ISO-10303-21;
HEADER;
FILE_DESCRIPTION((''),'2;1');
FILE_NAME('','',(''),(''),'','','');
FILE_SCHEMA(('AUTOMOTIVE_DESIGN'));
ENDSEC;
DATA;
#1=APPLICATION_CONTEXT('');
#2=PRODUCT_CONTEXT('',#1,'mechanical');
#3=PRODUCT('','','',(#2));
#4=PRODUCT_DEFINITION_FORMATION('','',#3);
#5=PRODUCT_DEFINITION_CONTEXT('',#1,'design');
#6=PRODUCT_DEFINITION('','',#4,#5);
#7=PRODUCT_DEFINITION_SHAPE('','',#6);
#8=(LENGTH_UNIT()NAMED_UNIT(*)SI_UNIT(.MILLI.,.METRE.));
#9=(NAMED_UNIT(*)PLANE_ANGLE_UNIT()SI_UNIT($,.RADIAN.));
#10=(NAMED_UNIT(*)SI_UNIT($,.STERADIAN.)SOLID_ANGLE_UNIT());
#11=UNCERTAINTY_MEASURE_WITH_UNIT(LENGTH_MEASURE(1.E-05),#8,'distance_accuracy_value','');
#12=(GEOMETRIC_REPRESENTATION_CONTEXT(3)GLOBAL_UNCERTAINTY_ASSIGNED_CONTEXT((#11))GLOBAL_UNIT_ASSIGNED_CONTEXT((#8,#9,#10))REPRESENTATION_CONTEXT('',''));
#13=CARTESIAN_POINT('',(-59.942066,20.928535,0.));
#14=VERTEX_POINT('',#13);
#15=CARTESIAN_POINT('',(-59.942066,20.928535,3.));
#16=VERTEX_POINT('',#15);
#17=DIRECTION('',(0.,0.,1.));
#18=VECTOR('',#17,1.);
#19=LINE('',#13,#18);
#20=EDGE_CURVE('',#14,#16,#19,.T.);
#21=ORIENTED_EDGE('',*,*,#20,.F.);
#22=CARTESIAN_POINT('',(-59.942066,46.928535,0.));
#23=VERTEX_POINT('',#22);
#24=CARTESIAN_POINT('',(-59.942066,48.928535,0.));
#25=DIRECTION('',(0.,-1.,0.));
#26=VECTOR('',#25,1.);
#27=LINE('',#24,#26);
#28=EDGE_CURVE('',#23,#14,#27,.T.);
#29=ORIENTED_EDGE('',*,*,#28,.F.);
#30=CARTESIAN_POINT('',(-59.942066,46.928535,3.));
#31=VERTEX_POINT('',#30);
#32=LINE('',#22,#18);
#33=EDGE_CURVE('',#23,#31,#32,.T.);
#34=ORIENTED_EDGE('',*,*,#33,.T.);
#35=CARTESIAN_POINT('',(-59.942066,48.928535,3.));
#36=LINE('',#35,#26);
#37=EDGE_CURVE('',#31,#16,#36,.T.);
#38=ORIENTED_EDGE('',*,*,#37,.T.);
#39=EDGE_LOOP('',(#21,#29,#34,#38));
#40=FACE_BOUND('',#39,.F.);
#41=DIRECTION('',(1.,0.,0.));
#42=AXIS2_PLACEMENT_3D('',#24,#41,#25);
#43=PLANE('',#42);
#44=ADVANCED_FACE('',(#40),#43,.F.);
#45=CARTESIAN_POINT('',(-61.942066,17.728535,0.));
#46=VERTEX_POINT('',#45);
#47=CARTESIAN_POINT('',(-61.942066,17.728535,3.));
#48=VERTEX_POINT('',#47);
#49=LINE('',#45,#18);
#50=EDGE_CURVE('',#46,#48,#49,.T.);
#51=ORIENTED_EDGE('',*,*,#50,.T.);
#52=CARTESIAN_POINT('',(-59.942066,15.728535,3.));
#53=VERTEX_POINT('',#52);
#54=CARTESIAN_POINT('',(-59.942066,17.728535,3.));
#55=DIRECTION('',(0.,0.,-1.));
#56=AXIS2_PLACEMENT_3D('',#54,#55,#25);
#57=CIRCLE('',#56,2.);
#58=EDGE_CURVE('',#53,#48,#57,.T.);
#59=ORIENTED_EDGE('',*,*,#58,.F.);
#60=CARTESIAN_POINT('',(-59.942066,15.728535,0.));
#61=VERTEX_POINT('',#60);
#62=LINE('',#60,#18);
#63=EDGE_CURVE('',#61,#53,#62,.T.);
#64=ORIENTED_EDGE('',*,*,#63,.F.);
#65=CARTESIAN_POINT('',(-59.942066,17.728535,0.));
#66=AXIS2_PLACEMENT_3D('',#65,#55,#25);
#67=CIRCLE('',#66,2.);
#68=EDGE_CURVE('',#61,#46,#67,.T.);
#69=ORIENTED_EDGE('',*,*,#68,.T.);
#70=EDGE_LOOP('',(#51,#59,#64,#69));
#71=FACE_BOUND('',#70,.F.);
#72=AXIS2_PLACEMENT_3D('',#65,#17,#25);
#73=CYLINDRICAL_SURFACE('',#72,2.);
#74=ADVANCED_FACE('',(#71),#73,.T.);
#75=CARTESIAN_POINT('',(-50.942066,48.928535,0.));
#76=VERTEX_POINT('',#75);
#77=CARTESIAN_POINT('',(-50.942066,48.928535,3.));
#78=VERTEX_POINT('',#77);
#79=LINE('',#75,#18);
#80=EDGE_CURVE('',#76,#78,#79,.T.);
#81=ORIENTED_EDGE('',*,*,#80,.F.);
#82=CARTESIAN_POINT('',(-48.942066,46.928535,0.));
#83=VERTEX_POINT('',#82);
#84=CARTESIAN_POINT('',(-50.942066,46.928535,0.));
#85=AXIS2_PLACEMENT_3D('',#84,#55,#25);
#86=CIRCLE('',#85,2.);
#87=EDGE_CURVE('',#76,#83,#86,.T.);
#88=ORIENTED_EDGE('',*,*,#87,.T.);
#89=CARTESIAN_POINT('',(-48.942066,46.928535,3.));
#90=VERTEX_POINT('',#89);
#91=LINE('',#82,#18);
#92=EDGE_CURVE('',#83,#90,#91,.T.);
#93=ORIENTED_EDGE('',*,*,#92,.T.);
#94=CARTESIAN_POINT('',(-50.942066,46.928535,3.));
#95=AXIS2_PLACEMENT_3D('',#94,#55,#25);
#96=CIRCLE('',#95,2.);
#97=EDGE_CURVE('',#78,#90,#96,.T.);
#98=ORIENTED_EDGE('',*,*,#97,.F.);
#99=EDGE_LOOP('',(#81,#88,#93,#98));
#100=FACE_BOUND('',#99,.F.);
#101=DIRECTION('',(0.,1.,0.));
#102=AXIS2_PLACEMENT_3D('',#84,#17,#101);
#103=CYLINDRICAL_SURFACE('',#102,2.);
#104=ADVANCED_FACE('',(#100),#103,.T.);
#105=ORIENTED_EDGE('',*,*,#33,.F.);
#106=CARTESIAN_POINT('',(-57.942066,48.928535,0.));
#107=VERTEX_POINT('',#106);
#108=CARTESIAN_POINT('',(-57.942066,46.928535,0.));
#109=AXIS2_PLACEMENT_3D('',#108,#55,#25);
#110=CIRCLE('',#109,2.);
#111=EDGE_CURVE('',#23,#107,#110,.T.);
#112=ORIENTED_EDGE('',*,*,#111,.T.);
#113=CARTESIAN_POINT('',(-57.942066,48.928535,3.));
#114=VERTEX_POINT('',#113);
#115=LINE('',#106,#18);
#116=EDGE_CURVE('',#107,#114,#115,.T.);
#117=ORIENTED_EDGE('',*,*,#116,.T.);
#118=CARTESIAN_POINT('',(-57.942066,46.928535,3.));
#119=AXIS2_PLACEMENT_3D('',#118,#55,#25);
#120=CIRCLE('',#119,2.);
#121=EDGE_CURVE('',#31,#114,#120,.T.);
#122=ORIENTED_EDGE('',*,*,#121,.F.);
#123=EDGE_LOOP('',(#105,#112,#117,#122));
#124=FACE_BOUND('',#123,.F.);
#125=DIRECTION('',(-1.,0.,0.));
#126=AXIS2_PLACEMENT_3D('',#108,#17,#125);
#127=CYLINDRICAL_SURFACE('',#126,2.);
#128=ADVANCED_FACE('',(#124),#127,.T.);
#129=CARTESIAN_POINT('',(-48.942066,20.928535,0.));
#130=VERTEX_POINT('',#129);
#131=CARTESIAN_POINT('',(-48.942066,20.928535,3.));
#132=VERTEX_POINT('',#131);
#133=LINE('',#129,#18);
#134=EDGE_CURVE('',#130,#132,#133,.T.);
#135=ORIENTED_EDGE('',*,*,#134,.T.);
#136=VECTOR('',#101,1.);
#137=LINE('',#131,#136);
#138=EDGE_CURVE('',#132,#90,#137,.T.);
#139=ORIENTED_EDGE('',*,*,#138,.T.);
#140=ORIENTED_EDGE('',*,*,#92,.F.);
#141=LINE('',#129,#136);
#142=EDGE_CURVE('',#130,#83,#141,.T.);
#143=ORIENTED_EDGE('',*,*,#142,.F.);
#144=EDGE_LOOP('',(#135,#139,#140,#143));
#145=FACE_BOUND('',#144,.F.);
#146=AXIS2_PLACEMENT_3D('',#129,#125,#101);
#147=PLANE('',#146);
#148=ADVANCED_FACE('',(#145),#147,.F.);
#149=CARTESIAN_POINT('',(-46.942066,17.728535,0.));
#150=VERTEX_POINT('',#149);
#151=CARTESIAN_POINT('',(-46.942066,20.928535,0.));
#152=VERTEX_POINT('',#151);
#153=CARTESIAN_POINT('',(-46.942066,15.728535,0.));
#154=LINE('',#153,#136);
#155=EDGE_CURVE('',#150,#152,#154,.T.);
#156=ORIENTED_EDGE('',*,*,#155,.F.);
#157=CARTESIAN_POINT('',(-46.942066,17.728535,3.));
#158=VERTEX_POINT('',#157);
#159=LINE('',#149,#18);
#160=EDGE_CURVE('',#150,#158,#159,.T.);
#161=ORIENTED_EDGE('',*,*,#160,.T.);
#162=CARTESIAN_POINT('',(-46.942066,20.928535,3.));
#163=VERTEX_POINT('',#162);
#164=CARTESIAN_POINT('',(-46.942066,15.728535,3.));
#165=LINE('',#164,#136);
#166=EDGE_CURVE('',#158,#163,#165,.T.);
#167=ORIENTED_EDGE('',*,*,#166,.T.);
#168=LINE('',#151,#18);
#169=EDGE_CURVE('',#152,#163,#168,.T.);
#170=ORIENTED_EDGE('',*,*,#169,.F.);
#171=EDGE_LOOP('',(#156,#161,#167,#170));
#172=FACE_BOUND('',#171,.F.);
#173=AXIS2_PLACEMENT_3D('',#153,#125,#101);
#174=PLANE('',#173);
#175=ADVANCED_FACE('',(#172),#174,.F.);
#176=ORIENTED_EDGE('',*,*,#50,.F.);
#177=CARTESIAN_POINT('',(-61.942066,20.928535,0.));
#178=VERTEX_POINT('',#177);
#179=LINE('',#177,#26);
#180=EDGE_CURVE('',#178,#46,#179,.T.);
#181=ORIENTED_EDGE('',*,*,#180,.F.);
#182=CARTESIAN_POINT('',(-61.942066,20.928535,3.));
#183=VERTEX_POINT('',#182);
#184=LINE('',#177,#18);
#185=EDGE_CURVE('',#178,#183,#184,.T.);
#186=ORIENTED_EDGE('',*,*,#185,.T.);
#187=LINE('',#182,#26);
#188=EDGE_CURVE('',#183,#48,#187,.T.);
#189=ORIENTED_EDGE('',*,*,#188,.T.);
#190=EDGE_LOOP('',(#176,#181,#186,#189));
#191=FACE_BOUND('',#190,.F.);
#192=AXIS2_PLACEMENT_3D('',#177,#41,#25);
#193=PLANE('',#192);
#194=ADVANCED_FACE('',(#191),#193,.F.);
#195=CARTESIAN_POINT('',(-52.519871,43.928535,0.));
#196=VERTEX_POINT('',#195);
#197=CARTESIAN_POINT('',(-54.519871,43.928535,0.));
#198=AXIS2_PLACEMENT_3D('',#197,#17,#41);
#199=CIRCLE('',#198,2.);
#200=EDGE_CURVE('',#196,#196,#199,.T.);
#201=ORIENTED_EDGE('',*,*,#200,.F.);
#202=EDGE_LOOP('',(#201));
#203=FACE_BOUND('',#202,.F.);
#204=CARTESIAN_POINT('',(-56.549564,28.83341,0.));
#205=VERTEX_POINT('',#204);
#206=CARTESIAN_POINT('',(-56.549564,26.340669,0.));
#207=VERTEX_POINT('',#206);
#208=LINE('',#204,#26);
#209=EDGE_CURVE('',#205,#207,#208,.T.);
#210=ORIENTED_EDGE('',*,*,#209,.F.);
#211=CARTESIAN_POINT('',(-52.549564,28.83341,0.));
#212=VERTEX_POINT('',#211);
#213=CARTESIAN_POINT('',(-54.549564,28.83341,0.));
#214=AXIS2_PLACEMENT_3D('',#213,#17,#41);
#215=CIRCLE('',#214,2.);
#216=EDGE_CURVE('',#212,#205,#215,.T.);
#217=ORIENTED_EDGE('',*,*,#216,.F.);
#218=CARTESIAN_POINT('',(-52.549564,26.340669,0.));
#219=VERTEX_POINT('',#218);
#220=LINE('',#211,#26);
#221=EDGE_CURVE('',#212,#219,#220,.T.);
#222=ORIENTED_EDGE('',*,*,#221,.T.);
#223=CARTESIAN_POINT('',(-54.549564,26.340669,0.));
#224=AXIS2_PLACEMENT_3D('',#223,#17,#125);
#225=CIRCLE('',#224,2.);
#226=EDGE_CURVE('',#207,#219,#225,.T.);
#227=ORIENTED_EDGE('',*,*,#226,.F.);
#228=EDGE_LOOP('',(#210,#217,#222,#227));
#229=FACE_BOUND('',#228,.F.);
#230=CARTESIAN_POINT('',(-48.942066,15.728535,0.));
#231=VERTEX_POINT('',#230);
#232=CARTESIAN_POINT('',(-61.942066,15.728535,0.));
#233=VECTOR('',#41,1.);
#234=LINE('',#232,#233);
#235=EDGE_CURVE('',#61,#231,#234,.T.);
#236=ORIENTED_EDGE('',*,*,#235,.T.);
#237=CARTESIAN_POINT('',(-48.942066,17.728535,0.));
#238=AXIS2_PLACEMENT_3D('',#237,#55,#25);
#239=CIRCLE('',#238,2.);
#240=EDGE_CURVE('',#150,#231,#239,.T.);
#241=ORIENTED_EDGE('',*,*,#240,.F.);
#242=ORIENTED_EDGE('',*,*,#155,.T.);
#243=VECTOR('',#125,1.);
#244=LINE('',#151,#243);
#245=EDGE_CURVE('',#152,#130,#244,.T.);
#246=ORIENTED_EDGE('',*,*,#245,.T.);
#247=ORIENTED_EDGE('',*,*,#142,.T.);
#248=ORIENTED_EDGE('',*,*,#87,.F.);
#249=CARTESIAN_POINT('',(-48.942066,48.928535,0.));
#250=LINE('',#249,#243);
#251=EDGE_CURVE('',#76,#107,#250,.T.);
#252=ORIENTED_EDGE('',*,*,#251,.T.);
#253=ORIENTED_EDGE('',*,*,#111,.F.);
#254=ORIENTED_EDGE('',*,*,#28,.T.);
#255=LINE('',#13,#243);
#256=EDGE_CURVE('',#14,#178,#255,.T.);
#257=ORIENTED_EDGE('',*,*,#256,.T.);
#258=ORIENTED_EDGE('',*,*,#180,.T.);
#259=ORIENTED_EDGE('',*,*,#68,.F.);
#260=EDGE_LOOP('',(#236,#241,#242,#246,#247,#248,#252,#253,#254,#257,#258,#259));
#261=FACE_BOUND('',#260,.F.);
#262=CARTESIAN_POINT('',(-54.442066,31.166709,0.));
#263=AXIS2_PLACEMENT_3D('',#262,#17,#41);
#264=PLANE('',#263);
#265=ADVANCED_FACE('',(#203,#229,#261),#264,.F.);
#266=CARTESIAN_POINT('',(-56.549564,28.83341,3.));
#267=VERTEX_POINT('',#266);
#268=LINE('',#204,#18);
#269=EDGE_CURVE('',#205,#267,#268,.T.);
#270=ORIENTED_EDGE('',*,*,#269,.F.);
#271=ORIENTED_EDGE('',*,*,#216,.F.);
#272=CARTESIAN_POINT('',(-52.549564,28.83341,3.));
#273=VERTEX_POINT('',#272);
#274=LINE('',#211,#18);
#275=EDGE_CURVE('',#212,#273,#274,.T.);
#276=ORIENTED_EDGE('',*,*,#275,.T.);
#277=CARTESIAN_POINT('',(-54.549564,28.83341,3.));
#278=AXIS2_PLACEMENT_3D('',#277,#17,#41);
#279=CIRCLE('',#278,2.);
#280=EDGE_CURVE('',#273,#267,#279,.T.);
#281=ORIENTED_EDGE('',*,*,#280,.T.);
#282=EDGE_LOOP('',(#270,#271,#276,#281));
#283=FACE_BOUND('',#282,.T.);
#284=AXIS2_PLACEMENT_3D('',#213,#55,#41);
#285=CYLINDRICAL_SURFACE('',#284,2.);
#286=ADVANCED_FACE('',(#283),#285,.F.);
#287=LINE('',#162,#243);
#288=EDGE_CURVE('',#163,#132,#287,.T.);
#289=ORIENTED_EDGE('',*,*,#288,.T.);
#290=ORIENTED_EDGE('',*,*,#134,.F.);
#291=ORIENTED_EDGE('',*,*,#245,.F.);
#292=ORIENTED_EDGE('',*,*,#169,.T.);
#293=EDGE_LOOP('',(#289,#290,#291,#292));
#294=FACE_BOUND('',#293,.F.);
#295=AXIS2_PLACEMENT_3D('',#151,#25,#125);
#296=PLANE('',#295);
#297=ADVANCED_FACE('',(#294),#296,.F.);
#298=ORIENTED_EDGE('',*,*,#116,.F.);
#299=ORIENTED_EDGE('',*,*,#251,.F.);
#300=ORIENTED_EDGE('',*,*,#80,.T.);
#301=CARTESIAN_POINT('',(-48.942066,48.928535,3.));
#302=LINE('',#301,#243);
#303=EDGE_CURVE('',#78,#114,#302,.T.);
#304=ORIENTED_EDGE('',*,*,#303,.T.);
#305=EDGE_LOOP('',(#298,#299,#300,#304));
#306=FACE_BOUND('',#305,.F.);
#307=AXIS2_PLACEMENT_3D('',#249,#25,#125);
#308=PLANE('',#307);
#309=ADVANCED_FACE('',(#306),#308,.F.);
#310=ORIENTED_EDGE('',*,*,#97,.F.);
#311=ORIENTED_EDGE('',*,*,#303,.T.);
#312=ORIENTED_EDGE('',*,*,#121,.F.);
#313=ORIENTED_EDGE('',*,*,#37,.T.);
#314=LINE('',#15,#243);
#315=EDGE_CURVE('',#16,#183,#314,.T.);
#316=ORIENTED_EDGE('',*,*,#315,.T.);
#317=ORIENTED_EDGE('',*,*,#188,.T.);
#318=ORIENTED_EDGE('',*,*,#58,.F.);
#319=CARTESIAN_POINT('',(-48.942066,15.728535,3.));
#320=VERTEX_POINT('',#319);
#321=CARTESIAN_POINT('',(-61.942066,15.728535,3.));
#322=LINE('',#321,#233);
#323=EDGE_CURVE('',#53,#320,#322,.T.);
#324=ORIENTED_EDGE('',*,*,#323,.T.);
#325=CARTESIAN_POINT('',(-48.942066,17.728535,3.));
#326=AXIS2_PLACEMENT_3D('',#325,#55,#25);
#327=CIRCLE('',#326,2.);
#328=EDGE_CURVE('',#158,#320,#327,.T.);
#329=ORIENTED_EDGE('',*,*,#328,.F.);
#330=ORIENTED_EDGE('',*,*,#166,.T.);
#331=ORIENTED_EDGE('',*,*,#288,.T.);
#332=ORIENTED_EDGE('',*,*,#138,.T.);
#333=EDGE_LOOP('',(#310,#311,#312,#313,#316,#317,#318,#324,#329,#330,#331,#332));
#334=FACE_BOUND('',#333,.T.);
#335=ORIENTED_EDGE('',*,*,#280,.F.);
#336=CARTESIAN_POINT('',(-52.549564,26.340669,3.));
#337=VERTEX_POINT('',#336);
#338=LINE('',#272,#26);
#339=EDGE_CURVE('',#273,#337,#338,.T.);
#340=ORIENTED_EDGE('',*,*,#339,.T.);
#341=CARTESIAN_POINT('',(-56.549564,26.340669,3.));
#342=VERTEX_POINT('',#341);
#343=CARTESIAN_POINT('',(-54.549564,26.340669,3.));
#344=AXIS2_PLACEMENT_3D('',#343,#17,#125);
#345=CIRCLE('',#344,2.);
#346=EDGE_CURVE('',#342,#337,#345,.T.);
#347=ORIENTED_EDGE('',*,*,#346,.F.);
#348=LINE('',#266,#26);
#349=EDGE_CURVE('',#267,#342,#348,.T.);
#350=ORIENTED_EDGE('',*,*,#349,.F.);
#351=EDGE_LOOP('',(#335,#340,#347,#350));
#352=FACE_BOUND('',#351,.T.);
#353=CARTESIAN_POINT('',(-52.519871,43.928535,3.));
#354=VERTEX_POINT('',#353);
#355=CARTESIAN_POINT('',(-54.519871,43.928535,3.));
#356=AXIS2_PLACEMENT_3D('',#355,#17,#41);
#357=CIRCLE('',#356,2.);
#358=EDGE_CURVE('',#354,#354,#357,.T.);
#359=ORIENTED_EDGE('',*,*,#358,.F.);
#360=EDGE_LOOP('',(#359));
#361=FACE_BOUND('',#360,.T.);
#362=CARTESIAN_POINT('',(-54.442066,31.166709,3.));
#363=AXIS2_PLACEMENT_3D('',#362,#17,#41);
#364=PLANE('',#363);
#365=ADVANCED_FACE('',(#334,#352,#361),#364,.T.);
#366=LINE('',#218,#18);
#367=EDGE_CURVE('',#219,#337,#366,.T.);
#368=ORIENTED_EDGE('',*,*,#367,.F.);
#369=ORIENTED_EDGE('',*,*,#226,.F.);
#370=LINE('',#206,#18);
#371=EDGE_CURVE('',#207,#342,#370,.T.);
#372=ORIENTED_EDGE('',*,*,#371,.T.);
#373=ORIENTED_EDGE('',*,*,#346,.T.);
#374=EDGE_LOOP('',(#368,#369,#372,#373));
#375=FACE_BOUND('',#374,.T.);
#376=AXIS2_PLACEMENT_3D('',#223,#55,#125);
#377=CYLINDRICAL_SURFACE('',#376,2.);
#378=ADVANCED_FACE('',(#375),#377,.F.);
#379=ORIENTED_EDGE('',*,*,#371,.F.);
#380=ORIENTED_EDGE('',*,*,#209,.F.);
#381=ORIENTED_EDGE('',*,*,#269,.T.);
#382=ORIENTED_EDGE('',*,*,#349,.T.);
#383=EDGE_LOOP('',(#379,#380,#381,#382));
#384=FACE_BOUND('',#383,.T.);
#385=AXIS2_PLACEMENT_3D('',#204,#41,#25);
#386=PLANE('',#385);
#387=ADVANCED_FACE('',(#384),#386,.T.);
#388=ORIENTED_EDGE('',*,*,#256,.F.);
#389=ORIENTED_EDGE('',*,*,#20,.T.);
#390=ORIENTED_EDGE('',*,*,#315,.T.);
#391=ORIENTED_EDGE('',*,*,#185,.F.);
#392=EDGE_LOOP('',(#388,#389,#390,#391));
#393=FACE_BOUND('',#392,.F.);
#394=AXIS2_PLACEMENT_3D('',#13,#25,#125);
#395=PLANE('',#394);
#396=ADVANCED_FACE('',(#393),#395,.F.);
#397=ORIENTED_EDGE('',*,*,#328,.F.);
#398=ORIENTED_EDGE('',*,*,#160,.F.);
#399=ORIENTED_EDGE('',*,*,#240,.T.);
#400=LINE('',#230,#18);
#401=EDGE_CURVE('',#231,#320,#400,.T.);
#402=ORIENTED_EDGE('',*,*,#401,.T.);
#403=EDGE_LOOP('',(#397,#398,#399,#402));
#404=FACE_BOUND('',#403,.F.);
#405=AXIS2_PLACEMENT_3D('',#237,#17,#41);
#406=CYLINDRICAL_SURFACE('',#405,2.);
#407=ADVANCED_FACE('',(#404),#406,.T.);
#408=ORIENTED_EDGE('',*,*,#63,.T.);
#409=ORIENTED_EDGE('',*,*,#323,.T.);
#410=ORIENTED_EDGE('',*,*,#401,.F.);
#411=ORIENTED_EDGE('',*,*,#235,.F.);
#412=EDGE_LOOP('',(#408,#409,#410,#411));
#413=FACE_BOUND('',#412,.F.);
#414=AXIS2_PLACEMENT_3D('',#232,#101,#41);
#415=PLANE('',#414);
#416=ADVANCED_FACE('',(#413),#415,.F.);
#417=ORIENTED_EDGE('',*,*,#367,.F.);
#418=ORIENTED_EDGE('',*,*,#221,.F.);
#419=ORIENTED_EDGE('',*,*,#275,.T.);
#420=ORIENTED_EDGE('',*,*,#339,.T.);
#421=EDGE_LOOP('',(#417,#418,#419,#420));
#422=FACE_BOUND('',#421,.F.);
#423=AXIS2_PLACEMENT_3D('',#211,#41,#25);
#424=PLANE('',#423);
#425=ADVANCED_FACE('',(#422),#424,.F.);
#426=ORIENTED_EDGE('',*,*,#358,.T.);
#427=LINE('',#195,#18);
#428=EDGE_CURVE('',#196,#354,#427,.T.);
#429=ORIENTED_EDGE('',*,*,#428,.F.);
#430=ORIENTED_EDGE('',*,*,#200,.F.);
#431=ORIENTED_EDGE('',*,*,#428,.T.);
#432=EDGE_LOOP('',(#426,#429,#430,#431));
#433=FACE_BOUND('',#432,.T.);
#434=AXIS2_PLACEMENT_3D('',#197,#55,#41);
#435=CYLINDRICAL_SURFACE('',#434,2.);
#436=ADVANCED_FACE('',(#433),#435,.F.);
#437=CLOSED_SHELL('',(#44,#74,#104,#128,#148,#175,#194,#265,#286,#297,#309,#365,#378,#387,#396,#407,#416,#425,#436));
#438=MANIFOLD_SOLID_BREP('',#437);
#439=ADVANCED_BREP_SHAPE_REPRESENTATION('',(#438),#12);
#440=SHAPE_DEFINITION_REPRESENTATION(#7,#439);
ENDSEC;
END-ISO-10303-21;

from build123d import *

# Parameters (mm, degrees)
SKETCH_R    = 2
PAD_DEPTH   = 3
FILLET_R    = 2
FILLET001_R = 2
FILLET002_R = 2
FILLET003_R = 2


with BuildPart() as part:
    # Sketch → Pad (new body)
    with BuildSketch(Plane.XY):
        Polygon((-48.942066, 48.928535), (-59.942066, 48.928535), (-59.942066, 20.928535), (-61.942066, 20.928535), (-61.942066, 15.728535), (-46.942066, 15.728535), (-46.942066, 20.928535), (-48.942066, 20.928535), align=None)
        with Locations((-54.519871, 43.928535)):
            Circle(SKETCH_R, mode=Mode.SUBTRACT)
        with BuildLine():
            ThreePointArc((-52.549564, 28.83341), (-54.549564, 30.83341), (-56.549564, 28.83341))
            Line((-56.549564, 28.83341), (-56.549564, 26.340669))
            ThreePointArc((-56.549564, 26.340669), (-54.549564, 24.340669), (-52.549564, 26.340669))
            Line((-52.549564, 28.83341), (-52.549564, 26.340669))
        make_face(mode=Mode.SUBTRACT)
    extrude(amount=PAD_DEPTH)

    # Fillet
    fillet_edges = [part.edges().sort_by_distance(p)[0] for p in [
        (-48.942066, 48.928535, 1.5),
    ]]
    fillet(fillet_edges, radius=FILLET_R)

    # Fillet001
    fillet001_edges = [part.edges().sort_by_distance(p)[0] for p in [
        (-46.942066, 15.728535, 1.5),
    ]]
    fillet(fillet001_edges, radius=FILLET001_R)

    # Fillet002
    fillet002_edges = [part.edges().sort_by_distance(p)[0] for p in [
        (-61.942066, 15.728535, 1.5),
    ]]
    fillet(fillet002_edges, radius=FILLET002_R)

    # Fillet003
    fillet003_edges = [part.edges().sort_by_distance(p)[0] for p in [
        (-59.942066, 48.928535, 1.5),
    ]]
    fillet(fillet003_edges, radius=FILLET003_R)


solid = part.part
